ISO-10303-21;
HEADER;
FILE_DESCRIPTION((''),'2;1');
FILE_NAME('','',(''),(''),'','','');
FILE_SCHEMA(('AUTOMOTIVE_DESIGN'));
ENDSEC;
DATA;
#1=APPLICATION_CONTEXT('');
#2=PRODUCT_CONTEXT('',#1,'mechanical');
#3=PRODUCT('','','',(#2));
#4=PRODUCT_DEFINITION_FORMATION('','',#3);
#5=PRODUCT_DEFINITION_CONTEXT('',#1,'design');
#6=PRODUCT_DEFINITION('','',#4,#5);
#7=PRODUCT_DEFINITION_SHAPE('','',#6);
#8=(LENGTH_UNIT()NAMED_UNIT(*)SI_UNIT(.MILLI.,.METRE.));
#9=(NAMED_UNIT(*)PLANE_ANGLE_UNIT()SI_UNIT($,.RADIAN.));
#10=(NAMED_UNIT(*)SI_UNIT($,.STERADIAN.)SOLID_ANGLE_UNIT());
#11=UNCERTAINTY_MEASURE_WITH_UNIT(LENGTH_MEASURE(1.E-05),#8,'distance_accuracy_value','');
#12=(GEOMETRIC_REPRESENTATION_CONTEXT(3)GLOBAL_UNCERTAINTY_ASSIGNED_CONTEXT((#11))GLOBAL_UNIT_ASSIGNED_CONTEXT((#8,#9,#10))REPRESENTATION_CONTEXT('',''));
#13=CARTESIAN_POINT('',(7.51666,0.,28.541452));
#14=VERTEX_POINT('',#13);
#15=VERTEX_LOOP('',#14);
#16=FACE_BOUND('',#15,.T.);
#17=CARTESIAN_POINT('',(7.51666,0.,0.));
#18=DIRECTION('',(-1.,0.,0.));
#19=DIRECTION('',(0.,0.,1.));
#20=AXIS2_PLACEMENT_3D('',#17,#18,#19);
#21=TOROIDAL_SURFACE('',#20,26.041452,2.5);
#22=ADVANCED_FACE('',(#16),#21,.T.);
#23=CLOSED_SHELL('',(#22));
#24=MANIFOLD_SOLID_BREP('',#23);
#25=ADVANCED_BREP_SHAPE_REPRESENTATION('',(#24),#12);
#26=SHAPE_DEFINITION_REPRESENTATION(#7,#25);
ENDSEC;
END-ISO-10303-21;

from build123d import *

# Parameters (mm, degrees)
SKETCH1_R = 2.5


with BuildPart() as part:
    # Sketch1 → Revolve1 (revolve)
    with BuildSketch(Plane.XY, mode=Mode.PRIVATE) as revolve1_sk:
        with Locations((7.516660498, 26.041451884)):
            Circle(SKETCH1_R)
    revolve(revolve1_sk.sketch.rotate(Axis((-8.977593231, 0, 0), (1, 0, 0)), 90), axis=Axis((-8.977593231, 0, 0), (1, 0, 0)))


solid = part.part
